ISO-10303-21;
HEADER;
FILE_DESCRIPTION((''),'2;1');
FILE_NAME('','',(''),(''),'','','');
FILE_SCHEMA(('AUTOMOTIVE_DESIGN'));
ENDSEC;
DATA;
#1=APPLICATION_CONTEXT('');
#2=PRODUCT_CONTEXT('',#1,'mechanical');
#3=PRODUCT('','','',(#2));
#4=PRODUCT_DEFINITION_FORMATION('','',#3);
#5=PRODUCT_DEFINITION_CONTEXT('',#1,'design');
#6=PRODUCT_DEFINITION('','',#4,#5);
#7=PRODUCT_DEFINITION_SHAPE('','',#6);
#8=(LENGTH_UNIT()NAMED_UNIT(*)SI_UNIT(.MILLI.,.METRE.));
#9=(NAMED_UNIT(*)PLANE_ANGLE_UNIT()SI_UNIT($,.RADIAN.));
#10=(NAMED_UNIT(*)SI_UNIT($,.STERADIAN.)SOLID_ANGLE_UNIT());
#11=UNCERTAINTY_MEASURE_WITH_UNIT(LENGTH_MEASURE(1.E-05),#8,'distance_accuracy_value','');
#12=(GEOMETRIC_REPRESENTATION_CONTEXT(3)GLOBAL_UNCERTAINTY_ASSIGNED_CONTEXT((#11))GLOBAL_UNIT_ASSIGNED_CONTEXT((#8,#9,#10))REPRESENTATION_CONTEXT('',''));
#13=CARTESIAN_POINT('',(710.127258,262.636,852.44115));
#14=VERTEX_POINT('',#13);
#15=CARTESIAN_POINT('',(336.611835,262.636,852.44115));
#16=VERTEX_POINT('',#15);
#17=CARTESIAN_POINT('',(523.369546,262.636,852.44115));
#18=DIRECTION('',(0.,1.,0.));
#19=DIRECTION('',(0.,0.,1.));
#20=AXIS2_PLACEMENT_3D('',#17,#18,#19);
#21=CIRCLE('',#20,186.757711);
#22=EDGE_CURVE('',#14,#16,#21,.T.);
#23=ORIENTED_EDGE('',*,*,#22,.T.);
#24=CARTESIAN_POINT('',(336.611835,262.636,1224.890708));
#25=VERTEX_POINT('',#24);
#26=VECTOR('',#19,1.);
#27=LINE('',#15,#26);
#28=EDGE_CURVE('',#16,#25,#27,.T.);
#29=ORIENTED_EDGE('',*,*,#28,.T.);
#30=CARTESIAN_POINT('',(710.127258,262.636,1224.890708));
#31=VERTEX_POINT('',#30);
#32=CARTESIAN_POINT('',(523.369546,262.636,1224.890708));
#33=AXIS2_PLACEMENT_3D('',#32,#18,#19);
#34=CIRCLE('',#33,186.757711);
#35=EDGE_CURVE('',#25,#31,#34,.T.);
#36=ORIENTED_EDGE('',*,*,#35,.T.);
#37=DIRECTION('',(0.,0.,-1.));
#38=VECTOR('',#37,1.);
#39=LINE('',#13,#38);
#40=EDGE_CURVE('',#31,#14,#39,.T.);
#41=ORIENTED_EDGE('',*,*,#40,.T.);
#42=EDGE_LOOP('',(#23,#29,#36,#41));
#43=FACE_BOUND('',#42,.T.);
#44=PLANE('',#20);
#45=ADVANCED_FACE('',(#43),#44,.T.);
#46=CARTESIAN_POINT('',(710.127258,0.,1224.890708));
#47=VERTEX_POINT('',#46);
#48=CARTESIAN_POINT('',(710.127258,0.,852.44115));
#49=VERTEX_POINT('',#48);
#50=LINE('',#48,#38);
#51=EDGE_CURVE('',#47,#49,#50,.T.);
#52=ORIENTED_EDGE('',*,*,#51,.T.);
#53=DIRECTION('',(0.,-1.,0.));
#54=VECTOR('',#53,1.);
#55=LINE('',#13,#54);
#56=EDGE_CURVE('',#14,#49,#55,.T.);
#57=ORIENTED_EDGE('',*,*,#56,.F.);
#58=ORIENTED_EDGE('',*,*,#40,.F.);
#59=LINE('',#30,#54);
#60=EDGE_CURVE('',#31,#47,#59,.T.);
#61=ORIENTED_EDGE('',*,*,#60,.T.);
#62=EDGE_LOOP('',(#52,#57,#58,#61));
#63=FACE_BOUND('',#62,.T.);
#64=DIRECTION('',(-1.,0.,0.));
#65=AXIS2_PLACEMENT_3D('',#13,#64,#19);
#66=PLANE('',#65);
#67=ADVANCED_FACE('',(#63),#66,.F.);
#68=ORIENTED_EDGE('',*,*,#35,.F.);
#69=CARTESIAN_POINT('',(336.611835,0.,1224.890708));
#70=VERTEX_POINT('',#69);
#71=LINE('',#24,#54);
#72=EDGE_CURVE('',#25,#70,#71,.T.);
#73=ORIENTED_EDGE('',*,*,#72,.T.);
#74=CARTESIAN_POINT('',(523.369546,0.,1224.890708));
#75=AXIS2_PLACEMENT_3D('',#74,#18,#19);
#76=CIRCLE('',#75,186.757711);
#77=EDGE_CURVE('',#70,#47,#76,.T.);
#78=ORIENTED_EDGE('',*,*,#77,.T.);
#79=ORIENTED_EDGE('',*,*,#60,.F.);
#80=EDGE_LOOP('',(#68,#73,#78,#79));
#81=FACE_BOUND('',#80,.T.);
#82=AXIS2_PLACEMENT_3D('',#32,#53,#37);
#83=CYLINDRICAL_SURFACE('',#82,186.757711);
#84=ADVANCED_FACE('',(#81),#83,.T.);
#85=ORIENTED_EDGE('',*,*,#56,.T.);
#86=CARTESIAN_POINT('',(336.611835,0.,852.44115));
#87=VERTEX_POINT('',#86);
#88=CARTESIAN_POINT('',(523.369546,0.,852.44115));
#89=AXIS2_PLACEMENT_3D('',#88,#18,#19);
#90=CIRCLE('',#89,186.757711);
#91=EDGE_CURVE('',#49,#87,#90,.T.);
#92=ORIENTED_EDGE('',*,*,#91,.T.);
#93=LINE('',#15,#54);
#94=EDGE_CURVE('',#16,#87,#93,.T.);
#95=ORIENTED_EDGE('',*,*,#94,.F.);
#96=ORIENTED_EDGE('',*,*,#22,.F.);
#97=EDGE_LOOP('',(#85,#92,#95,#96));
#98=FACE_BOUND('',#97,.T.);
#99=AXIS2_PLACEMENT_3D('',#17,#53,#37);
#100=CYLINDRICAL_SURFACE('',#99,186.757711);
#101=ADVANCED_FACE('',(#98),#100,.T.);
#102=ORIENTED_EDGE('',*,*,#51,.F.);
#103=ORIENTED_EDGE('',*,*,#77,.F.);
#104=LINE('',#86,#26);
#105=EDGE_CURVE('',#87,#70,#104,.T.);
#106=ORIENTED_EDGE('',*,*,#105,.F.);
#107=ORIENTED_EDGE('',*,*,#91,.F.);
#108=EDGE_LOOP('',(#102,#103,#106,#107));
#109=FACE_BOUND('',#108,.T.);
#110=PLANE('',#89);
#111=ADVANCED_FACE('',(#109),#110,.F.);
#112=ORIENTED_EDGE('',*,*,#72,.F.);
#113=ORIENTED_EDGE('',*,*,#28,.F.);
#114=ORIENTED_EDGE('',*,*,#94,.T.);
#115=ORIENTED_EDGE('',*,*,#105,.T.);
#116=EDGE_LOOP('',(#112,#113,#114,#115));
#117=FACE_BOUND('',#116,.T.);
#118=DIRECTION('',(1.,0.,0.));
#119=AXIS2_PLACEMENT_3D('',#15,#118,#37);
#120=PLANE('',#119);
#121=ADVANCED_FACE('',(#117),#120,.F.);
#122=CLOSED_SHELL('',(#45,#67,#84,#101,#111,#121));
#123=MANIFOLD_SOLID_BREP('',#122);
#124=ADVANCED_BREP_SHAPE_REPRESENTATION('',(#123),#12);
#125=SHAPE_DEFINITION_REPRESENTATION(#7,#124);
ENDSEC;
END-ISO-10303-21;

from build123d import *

# Parameters (mm, degrees)
BOSS_EXTRUDE1_DEPTH = 262.636


with BuildPart() as part:
    # Sketch2 → Boss-Extrude1 (new body)
    with BuildSketch(Plane(origin=(0, 0, 0), x_dir=(1, 0, 0), z_dir=(0, 1, 0))):
        with BuildLine():
            Line((710.127257794, -852.441149717), (710.127257794, -1224.890708062))
            ThreePointArc((710.127257794, -1224.890708062), (523.369546431, -1411.648419426), (336.611835067, -1224.890708062))
            Line((336.611835067, -1224.890708062), (336.611835067, -852.441149717))
            ThreePointArc((336.611835067, -852.441149717), (523.369546431, -665.683438353), (710.127257794, -852.441149717))
        make_face()
    extrude(amount=BOSS_EXTRUDE1_DEPTH)


solid = part.part
